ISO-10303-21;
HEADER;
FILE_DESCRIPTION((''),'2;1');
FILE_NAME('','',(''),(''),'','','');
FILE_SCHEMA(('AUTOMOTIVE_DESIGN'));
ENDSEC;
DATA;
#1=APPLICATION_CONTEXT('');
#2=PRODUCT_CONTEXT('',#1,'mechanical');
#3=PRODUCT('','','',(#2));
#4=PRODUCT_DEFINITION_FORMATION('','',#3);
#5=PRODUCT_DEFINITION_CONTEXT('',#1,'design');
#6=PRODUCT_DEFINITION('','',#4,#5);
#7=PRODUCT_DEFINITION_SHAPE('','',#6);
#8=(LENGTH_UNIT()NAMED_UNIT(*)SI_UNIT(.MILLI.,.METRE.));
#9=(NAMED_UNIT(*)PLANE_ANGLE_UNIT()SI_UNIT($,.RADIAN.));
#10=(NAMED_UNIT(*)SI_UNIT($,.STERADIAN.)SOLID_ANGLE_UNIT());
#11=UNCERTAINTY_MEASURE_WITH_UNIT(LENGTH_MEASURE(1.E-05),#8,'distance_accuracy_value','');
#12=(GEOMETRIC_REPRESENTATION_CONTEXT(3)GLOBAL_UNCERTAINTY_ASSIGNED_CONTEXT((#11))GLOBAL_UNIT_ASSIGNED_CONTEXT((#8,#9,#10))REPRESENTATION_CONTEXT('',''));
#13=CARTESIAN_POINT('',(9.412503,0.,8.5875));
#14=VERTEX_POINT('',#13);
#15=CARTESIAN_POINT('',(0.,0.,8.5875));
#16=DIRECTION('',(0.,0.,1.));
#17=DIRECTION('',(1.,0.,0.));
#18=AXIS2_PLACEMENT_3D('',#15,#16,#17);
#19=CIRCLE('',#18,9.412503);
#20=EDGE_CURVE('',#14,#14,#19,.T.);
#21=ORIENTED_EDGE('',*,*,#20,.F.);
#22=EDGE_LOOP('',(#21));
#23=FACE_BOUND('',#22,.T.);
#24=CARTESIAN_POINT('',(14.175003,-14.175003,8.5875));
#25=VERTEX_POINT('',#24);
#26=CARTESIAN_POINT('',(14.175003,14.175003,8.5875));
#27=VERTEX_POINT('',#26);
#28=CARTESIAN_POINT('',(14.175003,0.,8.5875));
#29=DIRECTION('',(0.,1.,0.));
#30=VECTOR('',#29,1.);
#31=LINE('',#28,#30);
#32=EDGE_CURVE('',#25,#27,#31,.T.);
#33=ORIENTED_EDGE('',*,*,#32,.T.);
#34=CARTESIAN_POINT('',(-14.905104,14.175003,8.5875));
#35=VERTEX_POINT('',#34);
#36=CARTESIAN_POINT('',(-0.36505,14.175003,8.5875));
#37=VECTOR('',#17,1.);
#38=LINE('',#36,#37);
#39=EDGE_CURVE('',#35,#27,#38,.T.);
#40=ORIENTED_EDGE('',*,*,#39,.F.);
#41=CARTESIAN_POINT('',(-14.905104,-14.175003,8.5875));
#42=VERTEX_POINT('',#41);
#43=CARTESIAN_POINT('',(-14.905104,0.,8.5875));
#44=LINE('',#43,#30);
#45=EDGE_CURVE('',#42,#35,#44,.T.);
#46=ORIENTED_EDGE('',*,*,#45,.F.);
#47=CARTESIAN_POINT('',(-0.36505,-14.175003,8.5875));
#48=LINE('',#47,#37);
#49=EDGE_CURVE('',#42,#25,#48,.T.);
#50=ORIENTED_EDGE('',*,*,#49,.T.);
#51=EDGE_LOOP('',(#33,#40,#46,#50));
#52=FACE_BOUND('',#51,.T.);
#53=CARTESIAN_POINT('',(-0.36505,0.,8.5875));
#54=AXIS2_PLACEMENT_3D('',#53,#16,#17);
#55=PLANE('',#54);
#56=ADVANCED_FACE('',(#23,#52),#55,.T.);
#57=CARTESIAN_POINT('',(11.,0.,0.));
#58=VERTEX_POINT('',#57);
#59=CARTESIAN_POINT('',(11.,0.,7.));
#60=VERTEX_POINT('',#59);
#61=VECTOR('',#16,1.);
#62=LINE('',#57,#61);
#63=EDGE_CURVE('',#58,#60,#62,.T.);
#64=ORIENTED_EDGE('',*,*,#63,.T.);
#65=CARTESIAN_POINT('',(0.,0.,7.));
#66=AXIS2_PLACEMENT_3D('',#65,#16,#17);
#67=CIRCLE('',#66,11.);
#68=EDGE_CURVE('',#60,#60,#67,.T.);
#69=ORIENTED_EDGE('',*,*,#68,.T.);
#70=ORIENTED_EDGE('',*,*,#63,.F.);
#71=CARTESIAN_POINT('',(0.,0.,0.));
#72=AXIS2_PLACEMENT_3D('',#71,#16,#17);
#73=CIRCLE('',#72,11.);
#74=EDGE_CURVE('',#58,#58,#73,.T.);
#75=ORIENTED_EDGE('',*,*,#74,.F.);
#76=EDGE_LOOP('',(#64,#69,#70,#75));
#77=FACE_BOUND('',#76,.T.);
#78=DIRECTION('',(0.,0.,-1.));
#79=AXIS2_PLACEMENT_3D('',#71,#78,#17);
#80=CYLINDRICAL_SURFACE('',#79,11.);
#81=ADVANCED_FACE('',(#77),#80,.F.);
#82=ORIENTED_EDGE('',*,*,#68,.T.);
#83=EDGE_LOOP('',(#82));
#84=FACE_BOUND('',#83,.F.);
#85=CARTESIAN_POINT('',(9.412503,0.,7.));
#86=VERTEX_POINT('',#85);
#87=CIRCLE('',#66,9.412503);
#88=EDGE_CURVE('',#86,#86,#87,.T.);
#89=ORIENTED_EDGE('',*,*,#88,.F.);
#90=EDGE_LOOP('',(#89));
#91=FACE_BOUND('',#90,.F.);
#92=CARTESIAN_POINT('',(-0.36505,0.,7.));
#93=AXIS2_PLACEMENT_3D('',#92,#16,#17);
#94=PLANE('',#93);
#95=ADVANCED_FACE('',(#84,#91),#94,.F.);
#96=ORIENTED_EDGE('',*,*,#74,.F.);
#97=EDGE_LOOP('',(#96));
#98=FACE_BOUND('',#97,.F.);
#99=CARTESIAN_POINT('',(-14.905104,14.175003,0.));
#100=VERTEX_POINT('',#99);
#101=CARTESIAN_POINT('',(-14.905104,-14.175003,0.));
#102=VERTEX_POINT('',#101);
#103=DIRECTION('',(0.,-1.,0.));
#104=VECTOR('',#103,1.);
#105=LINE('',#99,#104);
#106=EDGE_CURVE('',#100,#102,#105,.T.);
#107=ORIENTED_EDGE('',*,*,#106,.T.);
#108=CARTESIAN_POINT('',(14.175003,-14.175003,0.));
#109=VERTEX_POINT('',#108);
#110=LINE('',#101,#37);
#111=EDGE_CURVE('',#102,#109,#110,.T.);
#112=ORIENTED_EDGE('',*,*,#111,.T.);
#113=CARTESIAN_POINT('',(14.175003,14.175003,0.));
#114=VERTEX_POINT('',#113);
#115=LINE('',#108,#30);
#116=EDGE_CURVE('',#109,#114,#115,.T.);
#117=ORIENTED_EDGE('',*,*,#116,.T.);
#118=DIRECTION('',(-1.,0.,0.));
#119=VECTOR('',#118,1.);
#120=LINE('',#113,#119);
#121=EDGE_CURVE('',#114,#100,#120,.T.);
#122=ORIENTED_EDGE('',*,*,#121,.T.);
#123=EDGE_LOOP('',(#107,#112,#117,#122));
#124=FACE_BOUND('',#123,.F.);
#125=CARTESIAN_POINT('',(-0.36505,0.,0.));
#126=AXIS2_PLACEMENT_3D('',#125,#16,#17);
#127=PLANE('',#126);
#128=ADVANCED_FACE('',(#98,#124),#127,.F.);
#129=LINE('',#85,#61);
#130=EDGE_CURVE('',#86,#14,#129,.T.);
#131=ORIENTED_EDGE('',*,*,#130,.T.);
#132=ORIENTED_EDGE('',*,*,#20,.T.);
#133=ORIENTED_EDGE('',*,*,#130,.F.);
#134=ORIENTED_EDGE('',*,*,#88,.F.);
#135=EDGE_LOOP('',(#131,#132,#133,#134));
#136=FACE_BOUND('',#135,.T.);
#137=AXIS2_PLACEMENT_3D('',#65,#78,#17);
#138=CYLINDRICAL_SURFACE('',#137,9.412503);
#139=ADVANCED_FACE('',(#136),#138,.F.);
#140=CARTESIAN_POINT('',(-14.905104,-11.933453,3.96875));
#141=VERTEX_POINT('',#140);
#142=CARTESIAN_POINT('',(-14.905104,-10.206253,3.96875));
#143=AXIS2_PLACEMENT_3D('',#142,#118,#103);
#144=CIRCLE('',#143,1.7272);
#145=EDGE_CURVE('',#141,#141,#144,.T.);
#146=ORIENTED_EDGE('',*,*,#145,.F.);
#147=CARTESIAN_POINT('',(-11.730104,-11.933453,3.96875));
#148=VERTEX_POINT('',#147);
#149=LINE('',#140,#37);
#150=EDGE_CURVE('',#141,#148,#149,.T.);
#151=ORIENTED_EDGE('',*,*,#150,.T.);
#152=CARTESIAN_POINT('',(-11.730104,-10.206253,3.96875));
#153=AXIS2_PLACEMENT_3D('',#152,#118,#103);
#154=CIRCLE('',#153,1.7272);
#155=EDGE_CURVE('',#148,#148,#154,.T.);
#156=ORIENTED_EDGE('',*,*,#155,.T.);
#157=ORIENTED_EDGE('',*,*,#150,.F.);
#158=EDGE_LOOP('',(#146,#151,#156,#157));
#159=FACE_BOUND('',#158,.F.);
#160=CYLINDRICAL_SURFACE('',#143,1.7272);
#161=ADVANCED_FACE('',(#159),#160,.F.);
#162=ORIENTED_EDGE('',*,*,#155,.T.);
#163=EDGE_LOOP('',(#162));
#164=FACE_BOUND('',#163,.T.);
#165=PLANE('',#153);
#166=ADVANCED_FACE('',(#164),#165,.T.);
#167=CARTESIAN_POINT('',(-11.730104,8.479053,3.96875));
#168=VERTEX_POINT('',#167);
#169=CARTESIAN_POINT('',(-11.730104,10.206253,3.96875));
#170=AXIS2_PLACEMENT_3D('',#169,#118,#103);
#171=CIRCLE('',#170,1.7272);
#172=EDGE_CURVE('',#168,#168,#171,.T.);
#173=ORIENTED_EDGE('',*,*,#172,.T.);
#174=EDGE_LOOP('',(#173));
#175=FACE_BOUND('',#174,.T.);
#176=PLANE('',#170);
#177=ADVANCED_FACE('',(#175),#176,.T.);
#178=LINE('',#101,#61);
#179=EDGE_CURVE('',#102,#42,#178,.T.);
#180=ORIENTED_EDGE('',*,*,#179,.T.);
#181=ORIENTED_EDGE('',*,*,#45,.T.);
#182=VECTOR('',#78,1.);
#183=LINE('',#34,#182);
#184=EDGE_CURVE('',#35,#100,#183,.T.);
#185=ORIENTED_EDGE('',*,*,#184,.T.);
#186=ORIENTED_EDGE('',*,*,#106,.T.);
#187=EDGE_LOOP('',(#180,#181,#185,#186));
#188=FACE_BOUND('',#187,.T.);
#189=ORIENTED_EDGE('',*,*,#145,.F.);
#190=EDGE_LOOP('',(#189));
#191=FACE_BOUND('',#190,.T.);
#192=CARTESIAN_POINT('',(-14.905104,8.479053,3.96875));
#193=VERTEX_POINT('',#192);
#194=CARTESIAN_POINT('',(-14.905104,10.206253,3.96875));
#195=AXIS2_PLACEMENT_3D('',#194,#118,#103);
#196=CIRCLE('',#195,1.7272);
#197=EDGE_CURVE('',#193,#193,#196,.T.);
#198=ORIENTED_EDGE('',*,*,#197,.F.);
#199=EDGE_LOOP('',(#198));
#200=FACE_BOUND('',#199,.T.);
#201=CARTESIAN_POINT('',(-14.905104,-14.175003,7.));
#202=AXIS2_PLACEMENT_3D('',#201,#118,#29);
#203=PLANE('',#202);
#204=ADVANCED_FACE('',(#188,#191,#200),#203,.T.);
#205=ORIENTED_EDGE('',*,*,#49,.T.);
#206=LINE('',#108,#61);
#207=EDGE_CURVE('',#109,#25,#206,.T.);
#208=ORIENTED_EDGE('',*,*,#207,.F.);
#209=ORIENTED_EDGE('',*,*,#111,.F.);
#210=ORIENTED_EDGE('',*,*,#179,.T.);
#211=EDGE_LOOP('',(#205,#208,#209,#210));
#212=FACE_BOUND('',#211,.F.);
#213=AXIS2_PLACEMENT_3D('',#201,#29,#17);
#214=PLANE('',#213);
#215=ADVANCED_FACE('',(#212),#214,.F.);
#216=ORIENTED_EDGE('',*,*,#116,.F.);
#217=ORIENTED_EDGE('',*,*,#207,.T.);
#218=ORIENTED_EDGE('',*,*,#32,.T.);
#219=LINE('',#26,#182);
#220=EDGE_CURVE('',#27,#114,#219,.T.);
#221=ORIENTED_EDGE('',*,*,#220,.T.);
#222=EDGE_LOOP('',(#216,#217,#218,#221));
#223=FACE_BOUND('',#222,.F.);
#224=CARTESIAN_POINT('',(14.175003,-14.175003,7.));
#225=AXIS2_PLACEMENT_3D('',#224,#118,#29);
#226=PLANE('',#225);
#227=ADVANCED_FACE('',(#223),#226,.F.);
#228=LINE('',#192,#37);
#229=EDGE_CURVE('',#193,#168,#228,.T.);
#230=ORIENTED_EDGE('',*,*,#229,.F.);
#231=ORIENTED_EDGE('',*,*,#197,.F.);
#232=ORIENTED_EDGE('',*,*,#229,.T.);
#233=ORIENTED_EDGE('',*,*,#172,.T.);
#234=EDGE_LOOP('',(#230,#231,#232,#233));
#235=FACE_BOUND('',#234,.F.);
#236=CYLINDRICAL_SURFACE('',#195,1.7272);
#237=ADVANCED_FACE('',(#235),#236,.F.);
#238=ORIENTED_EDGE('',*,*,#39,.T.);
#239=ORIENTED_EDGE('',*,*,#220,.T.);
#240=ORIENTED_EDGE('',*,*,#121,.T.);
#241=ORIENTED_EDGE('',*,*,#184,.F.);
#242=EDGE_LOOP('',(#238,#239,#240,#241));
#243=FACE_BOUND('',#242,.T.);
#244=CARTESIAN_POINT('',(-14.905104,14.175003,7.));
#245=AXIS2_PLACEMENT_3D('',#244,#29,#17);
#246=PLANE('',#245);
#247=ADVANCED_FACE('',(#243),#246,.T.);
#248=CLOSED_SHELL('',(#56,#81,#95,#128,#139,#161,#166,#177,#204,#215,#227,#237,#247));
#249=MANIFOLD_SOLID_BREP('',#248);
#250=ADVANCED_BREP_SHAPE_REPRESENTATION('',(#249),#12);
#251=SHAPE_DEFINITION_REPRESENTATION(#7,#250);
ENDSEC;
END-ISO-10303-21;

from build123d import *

# Parameters (mm, degrees)
F0_R     = 11
F1_DEPTH = 7
F2_W     = 29.0801070888
F2_H     = 28.3500068
F2_R     = 11
F2_R_2   = 9.4125034
F3_DEPTH = 1.5875
F4_R     = 1.7272
F5_DEPTH = 3.175


with BuildPart() as f1:
    # F0 (on Top) → F1 (new body)
    with BuildSketch(Plane.XY):
        Polygon((14.1750034, 14.1750034), (0, 14.1750034), (-14.9051036888, 14.1750034), (-14.9051036888, -14.1750034), (0, -14.1750034), (14.1750034, -14.1750034), align=None)
        Circle(F0_R, mode=Mode.SUBTRACT)
    extrude(amount=F1_DEPTH)

    # F2 (on face) → F3 (join)
    with BuildSketch(Plane.XY.offset(7)):
        with Locations((-0.3650501444, 0)):
            Rectangle(F2_W, F2_H)
        Circle(F2_R, mode=Mode.SUBTRACT)
        Circle(F2_R)
        Circle(F2_R_2, mode=Mode.SUBTRACT)
    extrude(amount=F3_DEPTH)

    # F4 (on face) → F5 (cut)
    with BuildSketch(Plane(origin=(-14.9051036888, 0, 0), x_dir=(0, -1, 0), z_dir=(-1, 0, 0))):
        with Locations((10.2062534, 3.96875)):
            Circle(F4_R)
        with Locations((-10.2062534, 3.96875)):
            Circle(F4_R)
    extrude(amount=-F5_DEPTH, mode=Mode.SUBTRACT)


solid = f1.part
